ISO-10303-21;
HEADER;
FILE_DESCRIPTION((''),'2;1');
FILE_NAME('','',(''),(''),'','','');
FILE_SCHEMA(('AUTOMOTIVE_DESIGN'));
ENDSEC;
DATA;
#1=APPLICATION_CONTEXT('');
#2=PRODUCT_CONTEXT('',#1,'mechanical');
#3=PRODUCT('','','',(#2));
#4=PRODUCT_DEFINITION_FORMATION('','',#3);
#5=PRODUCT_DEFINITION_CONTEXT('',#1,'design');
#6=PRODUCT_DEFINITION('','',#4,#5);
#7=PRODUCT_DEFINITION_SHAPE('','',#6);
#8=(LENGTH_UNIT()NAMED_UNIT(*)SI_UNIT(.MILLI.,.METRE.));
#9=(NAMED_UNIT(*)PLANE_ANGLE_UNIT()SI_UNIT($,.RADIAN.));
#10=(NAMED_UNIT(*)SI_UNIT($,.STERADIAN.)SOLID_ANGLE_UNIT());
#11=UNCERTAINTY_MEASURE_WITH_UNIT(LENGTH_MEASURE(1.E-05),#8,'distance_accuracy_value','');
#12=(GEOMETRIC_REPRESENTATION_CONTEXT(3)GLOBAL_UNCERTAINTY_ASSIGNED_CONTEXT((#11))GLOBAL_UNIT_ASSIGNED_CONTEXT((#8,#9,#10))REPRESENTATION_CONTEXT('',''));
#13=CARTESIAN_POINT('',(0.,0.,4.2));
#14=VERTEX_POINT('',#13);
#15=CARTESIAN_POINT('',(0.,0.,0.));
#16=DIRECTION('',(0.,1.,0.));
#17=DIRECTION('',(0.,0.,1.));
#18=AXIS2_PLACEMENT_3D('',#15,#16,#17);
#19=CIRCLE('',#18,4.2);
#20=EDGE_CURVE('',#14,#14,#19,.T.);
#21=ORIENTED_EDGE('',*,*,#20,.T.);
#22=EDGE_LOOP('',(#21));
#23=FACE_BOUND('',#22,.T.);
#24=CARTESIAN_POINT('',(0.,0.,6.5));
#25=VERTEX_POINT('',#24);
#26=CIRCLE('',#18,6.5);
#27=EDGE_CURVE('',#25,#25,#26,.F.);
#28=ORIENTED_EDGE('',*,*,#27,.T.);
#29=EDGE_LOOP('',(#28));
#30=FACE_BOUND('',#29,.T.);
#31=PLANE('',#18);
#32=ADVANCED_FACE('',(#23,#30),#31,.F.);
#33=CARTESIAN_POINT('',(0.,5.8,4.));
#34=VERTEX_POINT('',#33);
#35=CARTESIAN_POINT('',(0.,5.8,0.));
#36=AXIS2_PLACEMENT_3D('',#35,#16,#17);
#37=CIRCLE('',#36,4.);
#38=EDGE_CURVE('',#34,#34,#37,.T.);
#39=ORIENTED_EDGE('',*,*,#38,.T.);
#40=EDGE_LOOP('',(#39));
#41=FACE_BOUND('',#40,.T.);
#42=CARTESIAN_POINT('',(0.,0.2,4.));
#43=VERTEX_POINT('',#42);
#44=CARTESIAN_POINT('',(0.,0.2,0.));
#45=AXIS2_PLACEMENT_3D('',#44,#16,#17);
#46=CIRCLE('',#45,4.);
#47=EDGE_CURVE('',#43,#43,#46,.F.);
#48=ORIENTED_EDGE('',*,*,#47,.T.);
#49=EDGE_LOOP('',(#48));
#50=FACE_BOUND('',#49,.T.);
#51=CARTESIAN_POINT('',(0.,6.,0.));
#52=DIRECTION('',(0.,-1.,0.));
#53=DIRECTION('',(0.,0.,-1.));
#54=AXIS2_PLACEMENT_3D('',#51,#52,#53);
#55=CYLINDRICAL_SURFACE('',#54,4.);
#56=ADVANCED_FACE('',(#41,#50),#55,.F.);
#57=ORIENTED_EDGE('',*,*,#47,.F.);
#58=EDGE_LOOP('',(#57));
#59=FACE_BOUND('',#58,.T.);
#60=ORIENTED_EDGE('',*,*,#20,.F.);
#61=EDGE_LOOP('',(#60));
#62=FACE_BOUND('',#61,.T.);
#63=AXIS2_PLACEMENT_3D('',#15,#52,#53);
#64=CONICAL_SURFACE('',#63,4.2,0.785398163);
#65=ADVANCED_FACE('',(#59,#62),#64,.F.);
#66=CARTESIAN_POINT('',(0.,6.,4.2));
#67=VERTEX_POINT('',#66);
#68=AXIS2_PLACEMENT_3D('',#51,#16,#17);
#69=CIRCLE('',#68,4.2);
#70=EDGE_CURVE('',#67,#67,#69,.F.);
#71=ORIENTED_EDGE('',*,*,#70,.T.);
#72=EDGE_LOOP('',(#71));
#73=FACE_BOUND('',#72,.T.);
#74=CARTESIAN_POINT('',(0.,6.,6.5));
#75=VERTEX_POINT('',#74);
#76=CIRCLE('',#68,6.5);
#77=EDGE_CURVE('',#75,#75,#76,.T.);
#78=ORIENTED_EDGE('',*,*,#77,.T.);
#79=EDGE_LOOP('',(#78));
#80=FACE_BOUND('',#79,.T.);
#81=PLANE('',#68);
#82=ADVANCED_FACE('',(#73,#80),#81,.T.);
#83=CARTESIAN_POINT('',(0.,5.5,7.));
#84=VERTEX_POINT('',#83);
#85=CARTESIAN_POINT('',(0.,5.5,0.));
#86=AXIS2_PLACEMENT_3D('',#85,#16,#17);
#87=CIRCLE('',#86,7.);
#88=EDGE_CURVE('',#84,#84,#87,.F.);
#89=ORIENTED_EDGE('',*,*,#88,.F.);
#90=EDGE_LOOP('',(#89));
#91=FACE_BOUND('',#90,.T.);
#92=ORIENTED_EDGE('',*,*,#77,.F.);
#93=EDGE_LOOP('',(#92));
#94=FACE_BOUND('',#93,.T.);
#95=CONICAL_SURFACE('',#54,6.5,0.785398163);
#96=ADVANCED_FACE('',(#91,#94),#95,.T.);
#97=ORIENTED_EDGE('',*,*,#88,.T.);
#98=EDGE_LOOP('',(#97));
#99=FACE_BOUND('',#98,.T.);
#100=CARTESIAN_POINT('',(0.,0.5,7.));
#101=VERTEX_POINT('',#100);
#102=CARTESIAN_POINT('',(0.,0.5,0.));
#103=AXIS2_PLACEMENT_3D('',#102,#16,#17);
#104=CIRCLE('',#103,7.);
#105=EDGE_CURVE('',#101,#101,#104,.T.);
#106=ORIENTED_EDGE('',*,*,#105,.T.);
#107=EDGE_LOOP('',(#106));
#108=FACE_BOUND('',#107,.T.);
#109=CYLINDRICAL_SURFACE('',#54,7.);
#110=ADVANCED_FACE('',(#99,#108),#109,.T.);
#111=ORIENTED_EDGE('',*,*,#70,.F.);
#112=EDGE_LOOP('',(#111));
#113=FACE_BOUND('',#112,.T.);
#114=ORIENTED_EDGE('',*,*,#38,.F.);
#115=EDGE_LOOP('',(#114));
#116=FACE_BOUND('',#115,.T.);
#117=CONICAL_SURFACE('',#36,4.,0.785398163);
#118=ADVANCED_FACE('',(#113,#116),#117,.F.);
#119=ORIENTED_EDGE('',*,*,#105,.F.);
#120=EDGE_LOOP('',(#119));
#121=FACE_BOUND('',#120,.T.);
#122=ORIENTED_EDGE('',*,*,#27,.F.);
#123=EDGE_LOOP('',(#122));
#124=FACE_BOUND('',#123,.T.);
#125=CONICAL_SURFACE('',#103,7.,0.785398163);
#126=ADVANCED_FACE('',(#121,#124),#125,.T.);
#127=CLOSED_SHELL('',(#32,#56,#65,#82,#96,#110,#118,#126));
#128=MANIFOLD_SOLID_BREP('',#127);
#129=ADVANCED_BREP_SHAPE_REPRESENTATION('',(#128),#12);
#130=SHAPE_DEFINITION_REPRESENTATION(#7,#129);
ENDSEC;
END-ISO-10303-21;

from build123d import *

# Parameters (mm, degrees)
SKETCH1_R           = 7
SKETCH1_R_2         = 4
BOSS_EXTRUDE1_DEPTH = 6
CHAMFER1_SIZE       = 0.5
CHAMFER2_SIZE       = 0.2


with BuildPart() as part:
    # Sketch1 → Boss-Extrude1 (new body)
    with BuildSketch(Plane(origin=(0, 0, 0), x_dir=(1, 0, 0), z_dir=(0, 1, 0))):
        with Locations(Location((0, 0, 0), (0, 0, 270))):
            Circle(SKETCH1_R)
        with Locations(Location((0, 0, 0), (0, 0, 270))):
            Circle(SKETCH1_R_2, mode=Mode.SUBTRACT)
    extrude(amount=BOSS_EXTRUDE1_DEPTH)

    # Chamfer1
    chamfer1_edges = [part.edges().sort_by_distance(p)[0] for p in [
        (0, 0, -7),
        (0, 6, -7),
    ]]
    chamfer(chamfer1_edges, length=CHAMFER1_SIZE)

    # Chamfer2
    chamfer2_edges = [part.edges().sort_by_distance(p)[0] for p in [
        (0, 0, -4),
        (0, 6, -4),
    ]]
    chamfer(chamfer2_edges, length=CHAMFER2_SIZE)


solid = part.part
